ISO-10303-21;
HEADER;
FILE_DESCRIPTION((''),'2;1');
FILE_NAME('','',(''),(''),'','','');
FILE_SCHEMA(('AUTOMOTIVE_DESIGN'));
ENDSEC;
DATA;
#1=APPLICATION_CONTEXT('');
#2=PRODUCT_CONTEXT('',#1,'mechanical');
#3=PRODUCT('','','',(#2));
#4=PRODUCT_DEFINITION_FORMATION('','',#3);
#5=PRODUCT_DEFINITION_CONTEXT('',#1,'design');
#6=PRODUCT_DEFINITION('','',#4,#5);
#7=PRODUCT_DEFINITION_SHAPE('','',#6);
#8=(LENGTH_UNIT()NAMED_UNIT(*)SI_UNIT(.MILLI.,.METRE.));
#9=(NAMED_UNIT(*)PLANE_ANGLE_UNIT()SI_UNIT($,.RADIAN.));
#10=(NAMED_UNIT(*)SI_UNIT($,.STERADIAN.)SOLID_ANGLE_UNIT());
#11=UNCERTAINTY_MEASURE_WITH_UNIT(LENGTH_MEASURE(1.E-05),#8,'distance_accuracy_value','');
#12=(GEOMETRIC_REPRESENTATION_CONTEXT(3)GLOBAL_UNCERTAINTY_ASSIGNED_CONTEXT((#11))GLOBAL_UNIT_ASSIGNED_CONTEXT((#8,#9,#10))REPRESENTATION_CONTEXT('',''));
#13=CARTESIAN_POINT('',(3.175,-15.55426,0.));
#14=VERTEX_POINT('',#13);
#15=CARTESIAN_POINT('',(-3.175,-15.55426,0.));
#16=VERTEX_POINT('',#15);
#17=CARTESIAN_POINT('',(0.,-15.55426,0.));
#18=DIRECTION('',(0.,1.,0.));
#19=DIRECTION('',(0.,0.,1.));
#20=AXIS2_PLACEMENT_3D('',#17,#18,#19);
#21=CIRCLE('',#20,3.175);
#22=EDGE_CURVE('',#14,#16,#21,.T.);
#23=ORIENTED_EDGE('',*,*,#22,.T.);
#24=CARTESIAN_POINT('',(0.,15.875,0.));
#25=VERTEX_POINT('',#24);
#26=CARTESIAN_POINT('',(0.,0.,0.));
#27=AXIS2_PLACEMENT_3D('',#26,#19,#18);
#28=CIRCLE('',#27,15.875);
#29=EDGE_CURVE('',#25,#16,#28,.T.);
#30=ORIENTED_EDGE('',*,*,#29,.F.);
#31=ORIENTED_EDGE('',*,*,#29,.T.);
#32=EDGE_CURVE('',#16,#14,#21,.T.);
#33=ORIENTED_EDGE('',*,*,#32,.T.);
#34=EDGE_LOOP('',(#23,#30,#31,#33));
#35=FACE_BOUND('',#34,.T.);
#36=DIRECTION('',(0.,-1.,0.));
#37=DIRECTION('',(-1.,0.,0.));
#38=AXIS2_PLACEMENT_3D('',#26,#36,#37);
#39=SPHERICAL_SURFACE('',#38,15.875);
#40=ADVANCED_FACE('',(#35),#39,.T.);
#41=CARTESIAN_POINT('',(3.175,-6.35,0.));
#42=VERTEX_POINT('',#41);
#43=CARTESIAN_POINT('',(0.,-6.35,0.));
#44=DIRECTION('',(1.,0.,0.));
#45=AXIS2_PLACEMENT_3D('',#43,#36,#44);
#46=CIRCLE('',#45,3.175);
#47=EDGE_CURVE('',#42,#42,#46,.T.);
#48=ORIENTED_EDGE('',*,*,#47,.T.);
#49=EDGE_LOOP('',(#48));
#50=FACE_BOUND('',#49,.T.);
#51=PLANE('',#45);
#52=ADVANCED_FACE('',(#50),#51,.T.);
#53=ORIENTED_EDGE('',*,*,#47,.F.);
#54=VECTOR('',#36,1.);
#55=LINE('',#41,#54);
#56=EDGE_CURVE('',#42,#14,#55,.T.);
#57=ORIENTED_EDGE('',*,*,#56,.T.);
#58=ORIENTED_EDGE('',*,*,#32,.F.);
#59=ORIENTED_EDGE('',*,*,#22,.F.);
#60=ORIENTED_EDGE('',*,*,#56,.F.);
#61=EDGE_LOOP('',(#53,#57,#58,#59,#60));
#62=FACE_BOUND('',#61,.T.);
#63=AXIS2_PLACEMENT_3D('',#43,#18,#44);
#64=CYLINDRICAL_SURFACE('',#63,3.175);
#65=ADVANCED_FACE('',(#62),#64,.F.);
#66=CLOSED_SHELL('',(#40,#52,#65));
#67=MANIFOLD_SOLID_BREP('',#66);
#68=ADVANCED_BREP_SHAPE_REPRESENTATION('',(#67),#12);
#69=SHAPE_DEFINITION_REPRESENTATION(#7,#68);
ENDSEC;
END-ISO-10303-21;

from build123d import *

# Parameters (mm, degrees)
F4_R     = 3.175
F5_DEPTH = 25.4


with BuildPart() as f2:
    # F1 (on Top) → F2 (revolve)
    with BuildSketch(Plane.XY):
        with BuildLine():
            Line((0, -15.875), (0, 15.875))
            ThreePointArc((0, 15.875), (-15.875, 0), (0, -15.875))
        make_face()
    revolve(axis=Axis((0, 0, 0), (0, -1, 0)))


with BuildPart() as f5:
    # F4 (on offset) → F5 (new body)
    with BuildSketch(Plane.XZ.offset(6.35)):
        Circle(F4_R)
    extrude(amount=F5_DEPTH)


with BuildPart() as f2_1:
    add(f2.part)

    # F6: cut F5
    add(f5.part, mode=Mode.SUBTRACT)


solid = f2_1.part
